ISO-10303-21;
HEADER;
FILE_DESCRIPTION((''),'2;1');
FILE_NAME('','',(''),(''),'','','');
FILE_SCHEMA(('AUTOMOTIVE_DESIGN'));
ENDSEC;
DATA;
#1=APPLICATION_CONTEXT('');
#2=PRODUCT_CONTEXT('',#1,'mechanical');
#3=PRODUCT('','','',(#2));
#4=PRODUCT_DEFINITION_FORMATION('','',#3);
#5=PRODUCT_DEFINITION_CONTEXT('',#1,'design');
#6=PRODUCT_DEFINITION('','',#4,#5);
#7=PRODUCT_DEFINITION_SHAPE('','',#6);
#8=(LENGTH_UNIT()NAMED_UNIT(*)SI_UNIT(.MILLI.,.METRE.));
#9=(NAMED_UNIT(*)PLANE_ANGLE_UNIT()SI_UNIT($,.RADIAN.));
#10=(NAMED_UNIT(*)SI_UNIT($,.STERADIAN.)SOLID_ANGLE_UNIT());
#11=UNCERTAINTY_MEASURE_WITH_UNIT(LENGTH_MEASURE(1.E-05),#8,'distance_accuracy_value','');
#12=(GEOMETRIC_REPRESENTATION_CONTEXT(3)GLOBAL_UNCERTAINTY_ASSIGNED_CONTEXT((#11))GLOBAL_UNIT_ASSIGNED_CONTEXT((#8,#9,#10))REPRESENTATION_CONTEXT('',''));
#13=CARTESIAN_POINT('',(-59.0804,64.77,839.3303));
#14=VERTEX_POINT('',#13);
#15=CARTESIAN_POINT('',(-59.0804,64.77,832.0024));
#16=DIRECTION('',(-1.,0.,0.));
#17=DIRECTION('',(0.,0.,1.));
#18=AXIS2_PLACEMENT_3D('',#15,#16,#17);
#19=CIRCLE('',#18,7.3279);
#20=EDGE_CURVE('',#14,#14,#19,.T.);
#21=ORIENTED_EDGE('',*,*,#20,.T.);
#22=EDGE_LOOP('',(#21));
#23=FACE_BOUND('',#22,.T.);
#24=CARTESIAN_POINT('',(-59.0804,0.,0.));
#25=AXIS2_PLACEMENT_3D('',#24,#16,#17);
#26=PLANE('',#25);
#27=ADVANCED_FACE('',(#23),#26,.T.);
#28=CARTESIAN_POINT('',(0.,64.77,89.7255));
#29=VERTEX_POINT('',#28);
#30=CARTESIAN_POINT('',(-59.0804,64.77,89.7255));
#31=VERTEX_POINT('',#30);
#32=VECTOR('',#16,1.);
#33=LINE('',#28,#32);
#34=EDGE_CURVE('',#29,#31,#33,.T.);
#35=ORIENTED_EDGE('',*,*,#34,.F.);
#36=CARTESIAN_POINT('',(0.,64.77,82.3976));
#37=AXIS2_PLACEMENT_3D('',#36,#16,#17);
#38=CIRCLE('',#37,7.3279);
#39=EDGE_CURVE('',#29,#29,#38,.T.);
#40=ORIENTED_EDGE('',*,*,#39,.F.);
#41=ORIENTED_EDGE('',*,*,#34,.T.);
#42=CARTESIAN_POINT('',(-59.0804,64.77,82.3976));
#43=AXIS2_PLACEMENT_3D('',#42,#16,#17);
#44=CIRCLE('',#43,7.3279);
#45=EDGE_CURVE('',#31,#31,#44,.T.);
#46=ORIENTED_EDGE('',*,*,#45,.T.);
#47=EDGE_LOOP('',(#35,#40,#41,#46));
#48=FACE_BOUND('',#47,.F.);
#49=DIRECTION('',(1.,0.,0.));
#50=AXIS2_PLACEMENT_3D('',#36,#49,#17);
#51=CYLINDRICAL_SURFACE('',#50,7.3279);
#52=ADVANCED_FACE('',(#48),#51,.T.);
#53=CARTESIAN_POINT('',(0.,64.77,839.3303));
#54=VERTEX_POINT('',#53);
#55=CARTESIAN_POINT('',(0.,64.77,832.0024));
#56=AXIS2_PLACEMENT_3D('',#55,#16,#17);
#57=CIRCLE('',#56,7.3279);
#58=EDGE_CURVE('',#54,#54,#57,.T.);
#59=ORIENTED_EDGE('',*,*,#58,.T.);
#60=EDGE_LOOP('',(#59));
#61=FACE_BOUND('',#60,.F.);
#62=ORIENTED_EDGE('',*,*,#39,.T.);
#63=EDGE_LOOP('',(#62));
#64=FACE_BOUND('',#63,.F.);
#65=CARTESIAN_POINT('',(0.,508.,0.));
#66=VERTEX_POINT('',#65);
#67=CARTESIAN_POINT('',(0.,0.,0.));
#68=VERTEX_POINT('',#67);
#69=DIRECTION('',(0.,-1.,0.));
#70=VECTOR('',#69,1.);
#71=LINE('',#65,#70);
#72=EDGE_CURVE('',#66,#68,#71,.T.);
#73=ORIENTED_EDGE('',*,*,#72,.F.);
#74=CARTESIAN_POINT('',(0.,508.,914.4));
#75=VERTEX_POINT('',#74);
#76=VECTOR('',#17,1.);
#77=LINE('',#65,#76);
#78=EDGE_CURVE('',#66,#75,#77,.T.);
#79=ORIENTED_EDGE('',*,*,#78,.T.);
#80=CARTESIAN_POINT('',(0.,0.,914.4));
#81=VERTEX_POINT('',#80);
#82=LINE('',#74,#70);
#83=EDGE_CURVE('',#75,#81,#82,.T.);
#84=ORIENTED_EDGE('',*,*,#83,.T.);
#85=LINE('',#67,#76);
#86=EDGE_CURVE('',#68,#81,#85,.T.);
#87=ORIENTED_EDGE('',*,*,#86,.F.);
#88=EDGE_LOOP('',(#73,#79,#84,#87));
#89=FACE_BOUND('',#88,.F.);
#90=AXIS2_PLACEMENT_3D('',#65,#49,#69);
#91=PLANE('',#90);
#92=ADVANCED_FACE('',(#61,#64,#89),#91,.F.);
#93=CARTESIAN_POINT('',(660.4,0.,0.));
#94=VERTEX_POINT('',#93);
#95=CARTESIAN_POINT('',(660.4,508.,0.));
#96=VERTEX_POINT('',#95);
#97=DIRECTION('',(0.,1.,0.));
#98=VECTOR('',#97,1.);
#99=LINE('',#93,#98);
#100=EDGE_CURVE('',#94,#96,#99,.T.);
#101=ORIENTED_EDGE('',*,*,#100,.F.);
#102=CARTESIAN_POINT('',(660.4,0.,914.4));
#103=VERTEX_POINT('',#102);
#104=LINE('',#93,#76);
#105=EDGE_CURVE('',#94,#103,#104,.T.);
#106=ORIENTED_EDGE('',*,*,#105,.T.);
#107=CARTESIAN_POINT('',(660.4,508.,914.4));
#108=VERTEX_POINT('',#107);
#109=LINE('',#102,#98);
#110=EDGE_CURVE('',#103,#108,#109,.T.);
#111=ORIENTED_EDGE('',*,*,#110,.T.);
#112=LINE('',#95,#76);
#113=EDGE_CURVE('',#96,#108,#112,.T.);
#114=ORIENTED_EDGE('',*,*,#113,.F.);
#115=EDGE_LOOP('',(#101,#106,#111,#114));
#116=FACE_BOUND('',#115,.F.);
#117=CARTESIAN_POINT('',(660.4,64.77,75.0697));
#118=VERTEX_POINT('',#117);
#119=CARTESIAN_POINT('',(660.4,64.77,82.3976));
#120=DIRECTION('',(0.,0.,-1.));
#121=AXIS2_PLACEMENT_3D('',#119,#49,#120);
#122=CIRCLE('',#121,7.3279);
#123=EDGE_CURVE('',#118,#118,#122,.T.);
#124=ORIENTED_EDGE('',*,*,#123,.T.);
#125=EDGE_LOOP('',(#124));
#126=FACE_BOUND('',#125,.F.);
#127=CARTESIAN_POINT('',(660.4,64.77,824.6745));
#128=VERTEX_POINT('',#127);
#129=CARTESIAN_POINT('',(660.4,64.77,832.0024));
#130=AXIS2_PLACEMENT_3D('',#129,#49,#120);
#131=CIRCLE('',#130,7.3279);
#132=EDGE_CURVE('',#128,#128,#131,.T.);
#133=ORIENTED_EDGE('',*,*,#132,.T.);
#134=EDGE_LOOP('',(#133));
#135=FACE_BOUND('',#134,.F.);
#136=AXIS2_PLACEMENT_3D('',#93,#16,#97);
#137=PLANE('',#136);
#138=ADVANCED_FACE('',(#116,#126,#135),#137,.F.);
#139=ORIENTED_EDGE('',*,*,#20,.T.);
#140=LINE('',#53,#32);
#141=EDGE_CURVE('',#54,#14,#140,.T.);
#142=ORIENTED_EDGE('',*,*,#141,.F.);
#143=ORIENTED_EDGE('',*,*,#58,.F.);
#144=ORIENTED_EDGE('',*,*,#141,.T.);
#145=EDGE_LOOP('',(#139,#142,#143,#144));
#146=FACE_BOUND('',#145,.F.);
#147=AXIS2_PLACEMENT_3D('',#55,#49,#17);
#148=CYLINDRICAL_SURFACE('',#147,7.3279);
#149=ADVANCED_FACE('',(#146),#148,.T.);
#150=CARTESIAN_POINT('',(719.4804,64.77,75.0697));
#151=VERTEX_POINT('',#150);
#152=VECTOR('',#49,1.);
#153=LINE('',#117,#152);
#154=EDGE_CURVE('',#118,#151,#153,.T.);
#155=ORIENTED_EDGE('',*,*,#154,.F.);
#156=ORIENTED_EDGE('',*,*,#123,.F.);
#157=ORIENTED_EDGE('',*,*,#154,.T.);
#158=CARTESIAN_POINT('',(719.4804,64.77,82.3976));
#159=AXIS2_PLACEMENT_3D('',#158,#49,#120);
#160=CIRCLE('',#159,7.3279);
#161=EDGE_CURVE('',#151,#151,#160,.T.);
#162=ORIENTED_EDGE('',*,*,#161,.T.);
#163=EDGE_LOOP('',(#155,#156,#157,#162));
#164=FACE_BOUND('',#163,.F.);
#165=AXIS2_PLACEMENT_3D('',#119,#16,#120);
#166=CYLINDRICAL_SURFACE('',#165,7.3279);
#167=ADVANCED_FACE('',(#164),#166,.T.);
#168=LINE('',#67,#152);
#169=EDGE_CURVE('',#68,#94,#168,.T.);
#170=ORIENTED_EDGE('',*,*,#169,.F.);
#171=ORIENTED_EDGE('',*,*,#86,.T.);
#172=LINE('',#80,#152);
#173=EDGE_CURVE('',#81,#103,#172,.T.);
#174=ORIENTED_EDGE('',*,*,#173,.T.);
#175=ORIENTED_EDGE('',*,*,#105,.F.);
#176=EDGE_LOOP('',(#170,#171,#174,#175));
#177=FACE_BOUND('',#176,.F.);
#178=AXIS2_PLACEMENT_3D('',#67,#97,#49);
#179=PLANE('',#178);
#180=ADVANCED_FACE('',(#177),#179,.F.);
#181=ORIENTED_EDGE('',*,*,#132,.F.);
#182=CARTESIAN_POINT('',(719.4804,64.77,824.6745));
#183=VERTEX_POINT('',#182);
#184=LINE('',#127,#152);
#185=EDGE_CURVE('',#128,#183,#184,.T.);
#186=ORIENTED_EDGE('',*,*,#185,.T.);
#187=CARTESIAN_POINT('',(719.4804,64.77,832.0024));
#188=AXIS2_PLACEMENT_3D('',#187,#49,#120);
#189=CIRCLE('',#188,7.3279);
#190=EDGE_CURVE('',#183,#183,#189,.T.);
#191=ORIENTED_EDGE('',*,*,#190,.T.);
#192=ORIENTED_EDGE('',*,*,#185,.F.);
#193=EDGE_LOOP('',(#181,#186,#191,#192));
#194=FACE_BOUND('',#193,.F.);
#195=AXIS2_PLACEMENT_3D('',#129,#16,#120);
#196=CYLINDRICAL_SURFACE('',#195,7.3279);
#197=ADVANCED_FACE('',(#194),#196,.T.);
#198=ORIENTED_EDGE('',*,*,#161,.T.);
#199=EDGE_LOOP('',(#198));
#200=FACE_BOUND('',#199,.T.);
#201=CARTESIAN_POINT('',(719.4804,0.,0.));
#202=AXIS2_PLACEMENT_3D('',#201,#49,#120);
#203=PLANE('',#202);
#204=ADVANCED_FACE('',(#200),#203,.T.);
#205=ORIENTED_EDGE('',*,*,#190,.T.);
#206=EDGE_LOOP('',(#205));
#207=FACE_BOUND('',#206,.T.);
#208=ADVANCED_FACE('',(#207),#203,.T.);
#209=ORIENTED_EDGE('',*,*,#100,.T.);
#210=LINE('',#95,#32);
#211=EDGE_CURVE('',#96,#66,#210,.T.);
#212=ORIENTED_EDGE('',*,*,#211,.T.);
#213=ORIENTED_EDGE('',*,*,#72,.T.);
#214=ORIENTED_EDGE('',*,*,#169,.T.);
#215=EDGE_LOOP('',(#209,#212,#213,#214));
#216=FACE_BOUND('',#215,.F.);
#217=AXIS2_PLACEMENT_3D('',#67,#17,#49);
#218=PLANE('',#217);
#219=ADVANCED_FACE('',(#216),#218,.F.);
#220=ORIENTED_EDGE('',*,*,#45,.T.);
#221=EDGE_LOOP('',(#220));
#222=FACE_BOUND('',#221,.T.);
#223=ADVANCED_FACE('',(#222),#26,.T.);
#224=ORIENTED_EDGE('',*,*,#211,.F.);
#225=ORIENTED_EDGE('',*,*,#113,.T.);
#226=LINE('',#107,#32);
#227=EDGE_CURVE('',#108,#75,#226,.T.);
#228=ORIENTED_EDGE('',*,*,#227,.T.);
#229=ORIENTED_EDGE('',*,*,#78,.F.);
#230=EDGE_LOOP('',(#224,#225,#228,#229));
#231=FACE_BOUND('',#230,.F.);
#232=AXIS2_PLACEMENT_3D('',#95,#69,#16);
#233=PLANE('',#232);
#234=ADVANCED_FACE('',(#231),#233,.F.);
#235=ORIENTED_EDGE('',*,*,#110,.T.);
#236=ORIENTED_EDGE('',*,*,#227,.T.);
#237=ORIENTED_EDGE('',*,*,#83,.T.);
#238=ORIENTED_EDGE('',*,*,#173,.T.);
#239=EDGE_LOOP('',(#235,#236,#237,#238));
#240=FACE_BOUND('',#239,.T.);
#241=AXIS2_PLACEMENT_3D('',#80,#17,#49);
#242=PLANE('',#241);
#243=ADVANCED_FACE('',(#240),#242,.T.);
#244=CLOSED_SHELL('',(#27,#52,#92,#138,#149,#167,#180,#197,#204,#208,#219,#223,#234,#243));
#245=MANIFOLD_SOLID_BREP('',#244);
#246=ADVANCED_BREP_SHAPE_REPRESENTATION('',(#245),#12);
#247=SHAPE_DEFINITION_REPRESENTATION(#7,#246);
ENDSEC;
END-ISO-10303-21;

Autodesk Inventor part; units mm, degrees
ref_plane "YZ Plane" through (0, 0, 0) normal (1, 0, 0) x (0, 1, 0)
ref_plane "XZ Plane" through (0, 0, 0) normal (0, 1, 0) x (-1, 0, 0)
ref_plane "XY Plane" through (0, 0, 0) normal (0, 0, 1) x (1, 0, 0)
sketch "Sketch1" plane through (0, 0, 0) normal (0, 0, 1) x (1, 0, 0)
  line L0 (0, 0) -> (660.4, 0)
  line L1 (660.4, 0) -> (660.4, 508)
  line L2 (660.4, 508) -> (0, 508)
  line L3 (0, 508) -> (0, 0)
  dimension "d0" = 660.4
  dimension "d1" = 508
extrude "Extrusion1" add sketch "Sketch1" along normal blind 914.4
sketch "Sketch2" plane through (660.4, 0, 0) normal (1, 0, 0) x (0, 0, -1)
  circle A0 centre (-832.0024, 64.77) radius 7.3279
  line L0 (-914.4, 0) -> (-914.4, 508) projected
  line L1 (0, 0) -> (-914.4, 0) projected
  line L2 (0, 0) -> (-914.4, 0) projected
  line L3 (-457.2, 0) -> (-457.2, 118.7957)
  circle A1 centre (-82.3976, 64.77) radius 7.3279
  dimension "d4" = 14.6558
  dimension "d5" = 82.3976
  dimension "d6" = 64.77
extrude "Extrusion2" add sketch "Sketch2" along normal blind 59.0804
sketch "Sketch3" plane through (0, 0, 0) normal (-1, 0, 0) x (0, 0, 1)
  line L0 (0, 508) -> (0, 0) projected
  line L1 (0, 0) -> (914.4, 0) projected
  line L2 (914.4, 508) -> (914.4, 0) projected
  line L3 (0, 508) -> (914.4, 508) projected
  circle A0 centre (832.0024, 64.77) radius 7.3279 projected
  circle A1 centre (82.3976, 64.77) radius 7.3279 projected
extrude "Extrusion3" add sketch "Sketch3" along normal blind 59.0804 contours A0 | A1
properties part number "Frame"
